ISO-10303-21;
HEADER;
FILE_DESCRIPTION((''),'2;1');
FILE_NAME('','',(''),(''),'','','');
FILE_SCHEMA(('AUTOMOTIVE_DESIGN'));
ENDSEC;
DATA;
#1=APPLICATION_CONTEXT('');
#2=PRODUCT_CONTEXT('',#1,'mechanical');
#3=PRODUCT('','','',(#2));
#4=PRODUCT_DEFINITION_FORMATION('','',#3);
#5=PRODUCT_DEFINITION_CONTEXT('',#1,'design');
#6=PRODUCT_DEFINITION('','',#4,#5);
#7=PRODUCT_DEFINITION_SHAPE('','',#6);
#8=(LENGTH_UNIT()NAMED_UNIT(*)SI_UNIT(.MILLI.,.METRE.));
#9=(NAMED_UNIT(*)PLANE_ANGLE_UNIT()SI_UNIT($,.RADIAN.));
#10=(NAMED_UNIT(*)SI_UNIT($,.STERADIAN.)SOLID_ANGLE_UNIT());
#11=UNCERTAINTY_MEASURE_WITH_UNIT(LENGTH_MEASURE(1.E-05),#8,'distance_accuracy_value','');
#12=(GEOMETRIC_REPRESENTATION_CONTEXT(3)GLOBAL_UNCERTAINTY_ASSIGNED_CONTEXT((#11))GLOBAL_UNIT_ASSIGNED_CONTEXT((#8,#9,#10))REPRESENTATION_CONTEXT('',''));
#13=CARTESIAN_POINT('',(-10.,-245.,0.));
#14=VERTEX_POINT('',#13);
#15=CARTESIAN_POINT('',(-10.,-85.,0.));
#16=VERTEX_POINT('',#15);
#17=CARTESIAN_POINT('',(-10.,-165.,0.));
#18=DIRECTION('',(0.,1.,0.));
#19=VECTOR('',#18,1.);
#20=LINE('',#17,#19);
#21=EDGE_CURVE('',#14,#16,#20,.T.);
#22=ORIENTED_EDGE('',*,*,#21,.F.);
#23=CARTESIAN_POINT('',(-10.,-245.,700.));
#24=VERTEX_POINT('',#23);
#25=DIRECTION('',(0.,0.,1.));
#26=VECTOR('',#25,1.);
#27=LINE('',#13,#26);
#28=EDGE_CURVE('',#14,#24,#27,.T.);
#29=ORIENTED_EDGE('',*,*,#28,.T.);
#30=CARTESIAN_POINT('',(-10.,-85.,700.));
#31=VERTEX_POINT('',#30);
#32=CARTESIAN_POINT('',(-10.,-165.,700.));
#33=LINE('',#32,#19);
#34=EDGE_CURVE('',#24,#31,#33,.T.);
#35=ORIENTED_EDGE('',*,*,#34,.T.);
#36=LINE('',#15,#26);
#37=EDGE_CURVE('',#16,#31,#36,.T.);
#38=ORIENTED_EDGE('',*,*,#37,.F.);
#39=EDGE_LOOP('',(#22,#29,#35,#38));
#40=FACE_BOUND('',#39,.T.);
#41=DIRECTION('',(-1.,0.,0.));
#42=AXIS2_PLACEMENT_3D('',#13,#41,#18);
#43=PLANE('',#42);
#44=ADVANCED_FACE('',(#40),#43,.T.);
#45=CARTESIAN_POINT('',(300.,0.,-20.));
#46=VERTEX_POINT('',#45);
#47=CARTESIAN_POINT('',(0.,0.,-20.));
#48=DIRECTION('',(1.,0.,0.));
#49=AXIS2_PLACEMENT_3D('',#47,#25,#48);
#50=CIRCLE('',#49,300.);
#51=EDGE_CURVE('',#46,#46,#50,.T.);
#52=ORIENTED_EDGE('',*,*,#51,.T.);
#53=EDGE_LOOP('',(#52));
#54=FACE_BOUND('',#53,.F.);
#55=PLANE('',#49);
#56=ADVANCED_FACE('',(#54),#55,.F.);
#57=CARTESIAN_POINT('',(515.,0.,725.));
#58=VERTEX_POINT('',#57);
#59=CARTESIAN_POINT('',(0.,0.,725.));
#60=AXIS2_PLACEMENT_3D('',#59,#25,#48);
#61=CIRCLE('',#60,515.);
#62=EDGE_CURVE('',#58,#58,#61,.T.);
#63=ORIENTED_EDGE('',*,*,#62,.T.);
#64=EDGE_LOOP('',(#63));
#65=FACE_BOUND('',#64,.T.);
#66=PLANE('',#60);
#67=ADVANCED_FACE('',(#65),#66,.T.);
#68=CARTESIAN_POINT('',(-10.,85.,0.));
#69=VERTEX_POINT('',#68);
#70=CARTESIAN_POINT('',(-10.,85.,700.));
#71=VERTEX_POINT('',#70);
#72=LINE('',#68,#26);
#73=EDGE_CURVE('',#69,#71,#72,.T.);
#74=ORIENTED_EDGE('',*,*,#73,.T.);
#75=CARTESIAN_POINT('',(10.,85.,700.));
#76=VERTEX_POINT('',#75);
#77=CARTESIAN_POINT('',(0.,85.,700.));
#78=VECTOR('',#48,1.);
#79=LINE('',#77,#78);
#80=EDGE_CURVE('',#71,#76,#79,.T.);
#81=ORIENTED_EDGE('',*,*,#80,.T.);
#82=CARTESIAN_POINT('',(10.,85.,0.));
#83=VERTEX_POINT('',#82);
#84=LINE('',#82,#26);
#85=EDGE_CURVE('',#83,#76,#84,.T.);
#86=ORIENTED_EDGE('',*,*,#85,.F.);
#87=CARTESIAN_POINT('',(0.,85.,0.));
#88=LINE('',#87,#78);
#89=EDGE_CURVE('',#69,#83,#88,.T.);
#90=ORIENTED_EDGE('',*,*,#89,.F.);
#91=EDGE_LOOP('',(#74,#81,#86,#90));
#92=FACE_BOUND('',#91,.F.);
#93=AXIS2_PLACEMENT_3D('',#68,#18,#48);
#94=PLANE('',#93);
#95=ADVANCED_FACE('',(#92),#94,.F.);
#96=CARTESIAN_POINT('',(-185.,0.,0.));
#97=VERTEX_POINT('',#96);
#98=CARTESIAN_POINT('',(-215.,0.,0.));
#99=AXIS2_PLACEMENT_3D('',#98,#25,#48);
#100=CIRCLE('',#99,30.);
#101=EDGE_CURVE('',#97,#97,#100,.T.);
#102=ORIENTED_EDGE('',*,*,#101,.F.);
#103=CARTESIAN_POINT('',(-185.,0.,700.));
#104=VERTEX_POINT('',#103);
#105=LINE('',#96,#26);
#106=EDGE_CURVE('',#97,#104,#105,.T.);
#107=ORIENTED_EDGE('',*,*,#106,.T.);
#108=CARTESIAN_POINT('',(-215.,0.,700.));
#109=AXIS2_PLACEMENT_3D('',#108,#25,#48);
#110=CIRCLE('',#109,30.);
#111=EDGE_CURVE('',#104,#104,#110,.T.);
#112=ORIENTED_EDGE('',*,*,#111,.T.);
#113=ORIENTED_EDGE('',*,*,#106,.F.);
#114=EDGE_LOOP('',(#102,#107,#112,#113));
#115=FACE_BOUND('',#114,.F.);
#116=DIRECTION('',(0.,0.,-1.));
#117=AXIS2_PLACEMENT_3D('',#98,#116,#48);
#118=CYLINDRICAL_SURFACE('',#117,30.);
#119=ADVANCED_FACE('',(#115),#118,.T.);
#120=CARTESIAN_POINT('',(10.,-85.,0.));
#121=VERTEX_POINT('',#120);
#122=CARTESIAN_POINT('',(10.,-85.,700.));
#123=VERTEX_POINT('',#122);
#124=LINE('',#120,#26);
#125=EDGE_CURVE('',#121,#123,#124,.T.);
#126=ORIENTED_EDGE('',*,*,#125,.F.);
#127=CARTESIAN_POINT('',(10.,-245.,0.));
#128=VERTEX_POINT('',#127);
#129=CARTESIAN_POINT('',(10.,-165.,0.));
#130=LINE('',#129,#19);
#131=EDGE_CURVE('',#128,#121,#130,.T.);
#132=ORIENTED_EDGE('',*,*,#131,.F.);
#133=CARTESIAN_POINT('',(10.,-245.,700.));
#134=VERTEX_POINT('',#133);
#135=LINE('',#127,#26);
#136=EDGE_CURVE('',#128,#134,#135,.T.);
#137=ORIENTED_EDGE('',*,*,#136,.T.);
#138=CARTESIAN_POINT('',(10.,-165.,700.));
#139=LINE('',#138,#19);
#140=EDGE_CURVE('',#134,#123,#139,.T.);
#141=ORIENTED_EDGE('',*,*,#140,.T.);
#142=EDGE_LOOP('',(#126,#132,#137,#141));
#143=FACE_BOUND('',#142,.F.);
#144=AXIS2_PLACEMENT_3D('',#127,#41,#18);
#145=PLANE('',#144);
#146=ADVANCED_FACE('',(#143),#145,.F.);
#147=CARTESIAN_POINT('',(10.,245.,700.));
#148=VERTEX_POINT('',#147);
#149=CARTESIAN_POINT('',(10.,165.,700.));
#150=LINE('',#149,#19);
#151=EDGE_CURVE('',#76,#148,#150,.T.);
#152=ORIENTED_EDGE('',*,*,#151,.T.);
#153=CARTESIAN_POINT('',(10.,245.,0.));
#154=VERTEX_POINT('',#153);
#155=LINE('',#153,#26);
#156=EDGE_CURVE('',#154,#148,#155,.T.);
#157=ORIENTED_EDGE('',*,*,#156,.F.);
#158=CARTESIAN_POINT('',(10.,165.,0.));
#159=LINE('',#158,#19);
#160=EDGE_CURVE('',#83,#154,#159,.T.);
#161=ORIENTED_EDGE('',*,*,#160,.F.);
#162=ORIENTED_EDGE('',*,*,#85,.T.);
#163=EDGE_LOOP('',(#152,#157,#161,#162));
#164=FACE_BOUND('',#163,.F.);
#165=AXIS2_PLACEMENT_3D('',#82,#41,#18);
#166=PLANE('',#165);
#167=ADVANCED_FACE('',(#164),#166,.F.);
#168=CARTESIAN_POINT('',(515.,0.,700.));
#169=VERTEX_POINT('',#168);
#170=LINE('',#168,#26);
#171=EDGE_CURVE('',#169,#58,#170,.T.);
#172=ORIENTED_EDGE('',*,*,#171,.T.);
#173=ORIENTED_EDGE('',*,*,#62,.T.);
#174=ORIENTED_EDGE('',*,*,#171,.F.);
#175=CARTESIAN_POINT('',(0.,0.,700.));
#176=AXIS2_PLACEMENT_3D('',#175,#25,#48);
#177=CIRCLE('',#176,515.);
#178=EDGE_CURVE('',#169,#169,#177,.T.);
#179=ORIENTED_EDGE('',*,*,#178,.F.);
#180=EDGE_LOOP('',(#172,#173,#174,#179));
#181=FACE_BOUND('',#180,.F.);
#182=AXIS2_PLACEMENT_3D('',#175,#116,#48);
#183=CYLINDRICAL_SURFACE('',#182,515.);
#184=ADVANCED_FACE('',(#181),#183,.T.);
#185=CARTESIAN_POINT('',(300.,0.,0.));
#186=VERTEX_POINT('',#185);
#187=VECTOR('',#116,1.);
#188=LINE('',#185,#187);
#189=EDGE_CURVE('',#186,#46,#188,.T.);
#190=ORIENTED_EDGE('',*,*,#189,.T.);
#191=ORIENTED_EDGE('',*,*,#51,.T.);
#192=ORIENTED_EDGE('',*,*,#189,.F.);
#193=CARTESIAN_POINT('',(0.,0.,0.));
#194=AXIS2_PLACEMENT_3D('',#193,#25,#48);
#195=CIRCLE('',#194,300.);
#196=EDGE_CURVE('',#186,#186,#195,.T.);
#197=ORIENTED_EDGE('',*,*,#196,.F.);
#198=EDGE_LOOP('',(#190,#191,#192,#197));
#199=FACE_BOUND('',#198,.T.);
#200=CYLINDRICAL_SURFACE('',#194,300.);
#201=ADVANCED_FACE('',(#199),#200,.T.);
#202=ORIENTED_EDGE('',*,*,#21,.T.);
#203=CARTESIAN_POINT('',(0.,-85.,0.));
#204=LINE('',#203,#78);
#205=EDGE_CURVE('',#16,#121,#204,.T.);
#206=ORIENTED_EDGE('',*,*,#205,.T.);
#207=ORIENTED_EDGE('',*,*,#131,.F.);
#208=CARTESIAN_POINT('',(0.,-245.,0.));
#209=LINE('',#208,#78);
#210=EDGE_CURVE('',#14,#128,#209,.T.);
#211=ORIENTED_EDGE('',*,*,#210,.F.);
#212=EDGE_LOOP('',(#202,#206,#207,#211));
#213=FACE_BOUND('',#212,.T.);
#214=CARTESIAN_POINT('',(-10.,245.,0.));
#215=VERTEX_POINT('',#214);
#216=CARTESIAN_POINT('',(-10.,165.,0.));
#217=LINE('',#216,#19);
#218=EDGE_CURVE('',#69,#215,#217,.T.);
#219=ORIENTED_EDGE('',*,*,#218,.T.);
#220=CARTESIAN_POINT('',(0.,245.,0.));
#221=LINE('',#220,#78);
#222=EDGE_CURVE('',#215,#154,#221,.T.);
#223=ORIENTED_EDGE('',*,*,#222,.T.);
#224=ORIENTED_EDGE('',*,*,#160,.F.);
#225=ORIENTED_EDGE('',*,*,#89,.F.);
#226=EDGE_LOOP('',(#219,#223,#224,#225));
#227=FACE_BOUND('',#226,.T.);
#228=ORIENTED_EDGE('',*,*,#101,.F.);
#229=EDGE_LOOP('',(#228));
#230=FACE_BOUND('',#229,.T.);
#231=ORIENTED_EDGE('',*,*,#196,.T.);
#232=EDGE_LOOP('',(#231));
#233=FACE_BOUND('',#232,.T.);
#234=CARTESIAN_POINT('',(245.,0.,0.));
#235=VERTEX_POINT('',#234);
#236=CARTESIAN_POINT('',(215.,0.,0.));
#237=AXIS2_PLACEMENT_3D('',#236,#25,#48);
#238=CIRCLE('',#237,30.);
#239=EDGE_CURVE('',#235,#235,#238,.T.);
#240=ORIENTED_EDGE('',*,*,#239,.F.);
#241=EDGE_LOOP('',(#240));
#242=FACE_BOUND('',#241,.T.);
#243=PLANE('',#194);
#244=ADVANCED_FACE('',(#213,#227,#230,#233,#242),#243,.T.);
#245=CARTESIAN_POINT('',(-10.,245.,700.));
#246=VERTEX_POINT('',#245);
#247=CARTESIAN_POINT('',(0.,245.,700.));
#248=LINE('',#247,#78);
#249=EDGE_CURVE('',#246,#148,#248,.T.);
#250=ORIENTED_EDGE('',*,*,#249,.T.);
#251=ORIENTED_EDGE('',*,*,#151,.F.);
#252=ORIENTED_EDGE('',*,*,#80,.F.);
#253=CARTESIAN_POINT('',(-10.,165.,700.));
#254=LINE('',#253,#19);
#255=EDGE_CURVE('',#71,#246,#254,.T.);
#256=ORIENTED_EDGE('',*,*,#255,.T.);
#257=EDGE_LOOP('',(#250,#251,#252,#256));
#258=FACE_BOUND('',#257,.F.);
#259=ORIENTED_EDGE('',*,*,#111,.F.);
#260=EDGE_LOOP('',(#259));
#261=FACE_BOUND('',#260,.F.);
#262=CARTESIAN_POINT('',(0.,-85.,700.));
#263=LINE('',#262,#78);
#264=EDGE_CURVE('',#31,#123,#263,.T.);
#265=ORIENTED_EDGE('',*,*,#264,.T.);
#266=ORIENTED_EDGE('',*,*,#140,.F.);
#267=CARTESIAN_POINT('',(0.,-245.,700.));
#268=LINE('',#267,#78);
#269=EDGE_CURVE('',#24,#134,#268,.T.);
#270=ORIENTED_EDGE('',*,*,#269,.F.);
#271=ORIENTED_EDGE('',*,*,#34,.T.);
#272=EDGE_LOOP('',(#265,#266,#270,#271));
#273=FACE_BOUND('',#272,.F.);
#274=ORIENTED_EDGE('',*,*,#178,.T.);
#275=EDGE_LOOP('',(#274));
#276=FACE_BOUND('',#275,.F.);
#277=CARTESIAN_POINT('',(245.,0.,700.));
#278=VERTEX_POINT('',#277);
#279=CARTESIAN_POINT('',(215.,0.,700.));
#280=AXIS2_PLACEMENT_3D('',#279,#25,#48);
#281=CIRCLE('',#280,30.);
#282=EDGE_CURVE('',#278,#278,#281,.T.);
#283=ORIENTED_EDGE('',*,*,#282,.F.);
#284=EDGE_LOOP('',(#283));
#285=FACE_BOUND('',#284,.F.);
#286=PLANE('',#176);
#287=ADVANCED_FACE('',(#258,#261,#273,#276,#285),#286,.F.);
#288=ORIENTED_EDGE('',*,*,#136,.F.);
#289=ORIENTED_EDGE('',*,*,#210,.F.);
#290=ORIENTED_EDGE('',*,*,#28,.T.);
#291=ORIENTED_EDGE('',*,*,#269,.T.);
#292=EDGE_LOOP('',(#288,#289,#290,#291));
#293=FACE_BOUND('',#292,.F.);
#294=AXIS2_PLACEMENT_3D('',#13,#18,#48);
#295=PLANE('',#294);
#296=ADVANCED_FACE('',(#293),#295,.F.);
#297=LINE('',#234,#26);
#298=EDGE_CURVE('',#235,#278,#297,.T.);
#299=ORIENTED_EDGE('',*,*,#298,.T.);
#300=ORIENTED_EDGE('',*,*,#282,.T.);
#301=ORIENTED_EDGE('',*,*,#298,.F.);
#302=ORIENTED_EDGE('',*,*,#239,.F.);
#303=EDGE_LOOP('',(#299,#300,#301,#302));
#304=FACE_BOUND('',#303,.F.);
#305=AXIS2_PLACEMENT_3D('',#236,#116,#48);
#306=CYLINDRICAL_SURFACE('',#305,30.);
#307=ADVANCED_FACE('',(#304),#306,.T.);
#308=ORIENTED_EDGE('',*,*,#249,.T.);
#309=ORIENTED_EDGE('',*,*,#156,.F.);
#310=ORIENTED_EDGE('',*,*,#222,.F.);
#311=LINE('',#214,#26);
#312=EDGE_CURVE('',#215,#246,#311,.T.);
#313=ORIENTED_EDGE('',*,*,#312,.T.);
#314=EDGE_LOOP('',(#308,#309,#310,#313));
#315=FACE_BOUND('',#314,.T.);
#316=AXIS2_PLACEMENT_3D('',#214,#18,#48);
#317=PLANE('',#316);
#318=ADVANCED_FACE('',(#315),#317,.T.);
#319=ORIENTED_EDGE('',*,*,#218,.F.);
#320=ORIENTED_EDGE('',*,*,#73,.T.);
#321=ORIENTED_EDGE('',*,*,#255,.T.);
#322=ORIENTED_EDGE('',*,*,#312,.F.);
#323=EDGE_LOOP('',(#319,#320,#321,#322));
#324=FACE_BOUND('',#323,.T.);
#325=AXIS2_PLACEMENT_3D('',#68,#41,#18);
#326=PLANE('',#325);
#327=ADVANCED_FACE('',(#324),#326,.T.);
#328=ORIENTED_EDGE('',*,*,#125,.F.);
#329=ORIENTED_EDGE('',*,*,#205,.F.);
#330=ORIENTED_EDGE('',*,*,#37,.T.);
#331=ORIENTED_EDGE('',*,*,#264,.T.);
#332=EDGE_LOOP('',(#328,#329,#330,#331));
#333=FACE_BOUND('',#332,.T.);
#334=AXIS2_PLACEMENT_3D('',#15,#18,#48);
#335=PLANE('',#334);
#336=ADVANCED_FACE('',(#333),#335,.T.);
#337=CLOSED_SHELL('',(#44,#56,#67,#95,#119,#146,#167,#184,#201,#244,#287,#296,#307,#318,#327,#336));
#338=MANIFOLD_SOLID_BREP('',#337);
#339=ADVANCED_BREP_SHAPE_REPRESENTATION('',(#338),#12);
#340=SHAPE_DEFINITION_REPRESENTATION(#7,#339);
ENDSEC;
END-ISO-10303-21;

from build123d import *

# Parameters (mm, degrees)
F0_R     = 300
F0_W     = 20
F0_H     = 160
F0_R_2   = 30
F1_DEPTH = 20
F2_DEPTH = 700
F3_R     = 515
F4_DEPTH = 25


with BuildPart() as f1:
    # F0 (on Top) → F1 (new body)
    with BuildSketch(Plane.XY):
        Circle(F0_R)
        with Locations((0, -165)):
            Rectangle(F0_W, F0_H, mode=Mode.SUBTRACT)
        with Locations((-215, 0)):
            Circle(F0_R_2, mode=Mode.SUBTRACT)
        with Locations((215, 0)):
            Circle(F0_R_2, mode=Mode.SUBTRACT)
        with Locations((0, 165)):
            Rectangle(F0_W, F0_H, mode=Mode.SUBTRACT)
        with Locations((0, -165)):
            Rectangle(F0_W, F0_H)
        with Locations((0, 165)):
            Rectangle(F0_W, F0_H)
        with Locations((215, 0)):
            Circle(F0_R_2)
        with Locations((-215, 0)):
            Circle(F0_R_2)
    extrude(amount=-F1_DEPTH)

    # F0 (on Top) → F2 (join)
    with BuildSketch(Plane.XY):
        with Locations((215, 0)):
            Circle(F0_R_2)
        with Locations((-215, 0)):
            Circle(F0_R_2)
        with Locations((0, -165)):
            Rectangle(F0_W, F0_H)
        with Locations((0, 165)):
            Rectangle(F0_W, F0_H)
    extrude(amount=F2_DEPTH)

    # F3 (on face) → F4 (join)
    with BuildSketch(Plane.XY.offset(700)):
        Circle(F3_R)
    extrude(amount=F4_DEPTH)


solid = f1.part
